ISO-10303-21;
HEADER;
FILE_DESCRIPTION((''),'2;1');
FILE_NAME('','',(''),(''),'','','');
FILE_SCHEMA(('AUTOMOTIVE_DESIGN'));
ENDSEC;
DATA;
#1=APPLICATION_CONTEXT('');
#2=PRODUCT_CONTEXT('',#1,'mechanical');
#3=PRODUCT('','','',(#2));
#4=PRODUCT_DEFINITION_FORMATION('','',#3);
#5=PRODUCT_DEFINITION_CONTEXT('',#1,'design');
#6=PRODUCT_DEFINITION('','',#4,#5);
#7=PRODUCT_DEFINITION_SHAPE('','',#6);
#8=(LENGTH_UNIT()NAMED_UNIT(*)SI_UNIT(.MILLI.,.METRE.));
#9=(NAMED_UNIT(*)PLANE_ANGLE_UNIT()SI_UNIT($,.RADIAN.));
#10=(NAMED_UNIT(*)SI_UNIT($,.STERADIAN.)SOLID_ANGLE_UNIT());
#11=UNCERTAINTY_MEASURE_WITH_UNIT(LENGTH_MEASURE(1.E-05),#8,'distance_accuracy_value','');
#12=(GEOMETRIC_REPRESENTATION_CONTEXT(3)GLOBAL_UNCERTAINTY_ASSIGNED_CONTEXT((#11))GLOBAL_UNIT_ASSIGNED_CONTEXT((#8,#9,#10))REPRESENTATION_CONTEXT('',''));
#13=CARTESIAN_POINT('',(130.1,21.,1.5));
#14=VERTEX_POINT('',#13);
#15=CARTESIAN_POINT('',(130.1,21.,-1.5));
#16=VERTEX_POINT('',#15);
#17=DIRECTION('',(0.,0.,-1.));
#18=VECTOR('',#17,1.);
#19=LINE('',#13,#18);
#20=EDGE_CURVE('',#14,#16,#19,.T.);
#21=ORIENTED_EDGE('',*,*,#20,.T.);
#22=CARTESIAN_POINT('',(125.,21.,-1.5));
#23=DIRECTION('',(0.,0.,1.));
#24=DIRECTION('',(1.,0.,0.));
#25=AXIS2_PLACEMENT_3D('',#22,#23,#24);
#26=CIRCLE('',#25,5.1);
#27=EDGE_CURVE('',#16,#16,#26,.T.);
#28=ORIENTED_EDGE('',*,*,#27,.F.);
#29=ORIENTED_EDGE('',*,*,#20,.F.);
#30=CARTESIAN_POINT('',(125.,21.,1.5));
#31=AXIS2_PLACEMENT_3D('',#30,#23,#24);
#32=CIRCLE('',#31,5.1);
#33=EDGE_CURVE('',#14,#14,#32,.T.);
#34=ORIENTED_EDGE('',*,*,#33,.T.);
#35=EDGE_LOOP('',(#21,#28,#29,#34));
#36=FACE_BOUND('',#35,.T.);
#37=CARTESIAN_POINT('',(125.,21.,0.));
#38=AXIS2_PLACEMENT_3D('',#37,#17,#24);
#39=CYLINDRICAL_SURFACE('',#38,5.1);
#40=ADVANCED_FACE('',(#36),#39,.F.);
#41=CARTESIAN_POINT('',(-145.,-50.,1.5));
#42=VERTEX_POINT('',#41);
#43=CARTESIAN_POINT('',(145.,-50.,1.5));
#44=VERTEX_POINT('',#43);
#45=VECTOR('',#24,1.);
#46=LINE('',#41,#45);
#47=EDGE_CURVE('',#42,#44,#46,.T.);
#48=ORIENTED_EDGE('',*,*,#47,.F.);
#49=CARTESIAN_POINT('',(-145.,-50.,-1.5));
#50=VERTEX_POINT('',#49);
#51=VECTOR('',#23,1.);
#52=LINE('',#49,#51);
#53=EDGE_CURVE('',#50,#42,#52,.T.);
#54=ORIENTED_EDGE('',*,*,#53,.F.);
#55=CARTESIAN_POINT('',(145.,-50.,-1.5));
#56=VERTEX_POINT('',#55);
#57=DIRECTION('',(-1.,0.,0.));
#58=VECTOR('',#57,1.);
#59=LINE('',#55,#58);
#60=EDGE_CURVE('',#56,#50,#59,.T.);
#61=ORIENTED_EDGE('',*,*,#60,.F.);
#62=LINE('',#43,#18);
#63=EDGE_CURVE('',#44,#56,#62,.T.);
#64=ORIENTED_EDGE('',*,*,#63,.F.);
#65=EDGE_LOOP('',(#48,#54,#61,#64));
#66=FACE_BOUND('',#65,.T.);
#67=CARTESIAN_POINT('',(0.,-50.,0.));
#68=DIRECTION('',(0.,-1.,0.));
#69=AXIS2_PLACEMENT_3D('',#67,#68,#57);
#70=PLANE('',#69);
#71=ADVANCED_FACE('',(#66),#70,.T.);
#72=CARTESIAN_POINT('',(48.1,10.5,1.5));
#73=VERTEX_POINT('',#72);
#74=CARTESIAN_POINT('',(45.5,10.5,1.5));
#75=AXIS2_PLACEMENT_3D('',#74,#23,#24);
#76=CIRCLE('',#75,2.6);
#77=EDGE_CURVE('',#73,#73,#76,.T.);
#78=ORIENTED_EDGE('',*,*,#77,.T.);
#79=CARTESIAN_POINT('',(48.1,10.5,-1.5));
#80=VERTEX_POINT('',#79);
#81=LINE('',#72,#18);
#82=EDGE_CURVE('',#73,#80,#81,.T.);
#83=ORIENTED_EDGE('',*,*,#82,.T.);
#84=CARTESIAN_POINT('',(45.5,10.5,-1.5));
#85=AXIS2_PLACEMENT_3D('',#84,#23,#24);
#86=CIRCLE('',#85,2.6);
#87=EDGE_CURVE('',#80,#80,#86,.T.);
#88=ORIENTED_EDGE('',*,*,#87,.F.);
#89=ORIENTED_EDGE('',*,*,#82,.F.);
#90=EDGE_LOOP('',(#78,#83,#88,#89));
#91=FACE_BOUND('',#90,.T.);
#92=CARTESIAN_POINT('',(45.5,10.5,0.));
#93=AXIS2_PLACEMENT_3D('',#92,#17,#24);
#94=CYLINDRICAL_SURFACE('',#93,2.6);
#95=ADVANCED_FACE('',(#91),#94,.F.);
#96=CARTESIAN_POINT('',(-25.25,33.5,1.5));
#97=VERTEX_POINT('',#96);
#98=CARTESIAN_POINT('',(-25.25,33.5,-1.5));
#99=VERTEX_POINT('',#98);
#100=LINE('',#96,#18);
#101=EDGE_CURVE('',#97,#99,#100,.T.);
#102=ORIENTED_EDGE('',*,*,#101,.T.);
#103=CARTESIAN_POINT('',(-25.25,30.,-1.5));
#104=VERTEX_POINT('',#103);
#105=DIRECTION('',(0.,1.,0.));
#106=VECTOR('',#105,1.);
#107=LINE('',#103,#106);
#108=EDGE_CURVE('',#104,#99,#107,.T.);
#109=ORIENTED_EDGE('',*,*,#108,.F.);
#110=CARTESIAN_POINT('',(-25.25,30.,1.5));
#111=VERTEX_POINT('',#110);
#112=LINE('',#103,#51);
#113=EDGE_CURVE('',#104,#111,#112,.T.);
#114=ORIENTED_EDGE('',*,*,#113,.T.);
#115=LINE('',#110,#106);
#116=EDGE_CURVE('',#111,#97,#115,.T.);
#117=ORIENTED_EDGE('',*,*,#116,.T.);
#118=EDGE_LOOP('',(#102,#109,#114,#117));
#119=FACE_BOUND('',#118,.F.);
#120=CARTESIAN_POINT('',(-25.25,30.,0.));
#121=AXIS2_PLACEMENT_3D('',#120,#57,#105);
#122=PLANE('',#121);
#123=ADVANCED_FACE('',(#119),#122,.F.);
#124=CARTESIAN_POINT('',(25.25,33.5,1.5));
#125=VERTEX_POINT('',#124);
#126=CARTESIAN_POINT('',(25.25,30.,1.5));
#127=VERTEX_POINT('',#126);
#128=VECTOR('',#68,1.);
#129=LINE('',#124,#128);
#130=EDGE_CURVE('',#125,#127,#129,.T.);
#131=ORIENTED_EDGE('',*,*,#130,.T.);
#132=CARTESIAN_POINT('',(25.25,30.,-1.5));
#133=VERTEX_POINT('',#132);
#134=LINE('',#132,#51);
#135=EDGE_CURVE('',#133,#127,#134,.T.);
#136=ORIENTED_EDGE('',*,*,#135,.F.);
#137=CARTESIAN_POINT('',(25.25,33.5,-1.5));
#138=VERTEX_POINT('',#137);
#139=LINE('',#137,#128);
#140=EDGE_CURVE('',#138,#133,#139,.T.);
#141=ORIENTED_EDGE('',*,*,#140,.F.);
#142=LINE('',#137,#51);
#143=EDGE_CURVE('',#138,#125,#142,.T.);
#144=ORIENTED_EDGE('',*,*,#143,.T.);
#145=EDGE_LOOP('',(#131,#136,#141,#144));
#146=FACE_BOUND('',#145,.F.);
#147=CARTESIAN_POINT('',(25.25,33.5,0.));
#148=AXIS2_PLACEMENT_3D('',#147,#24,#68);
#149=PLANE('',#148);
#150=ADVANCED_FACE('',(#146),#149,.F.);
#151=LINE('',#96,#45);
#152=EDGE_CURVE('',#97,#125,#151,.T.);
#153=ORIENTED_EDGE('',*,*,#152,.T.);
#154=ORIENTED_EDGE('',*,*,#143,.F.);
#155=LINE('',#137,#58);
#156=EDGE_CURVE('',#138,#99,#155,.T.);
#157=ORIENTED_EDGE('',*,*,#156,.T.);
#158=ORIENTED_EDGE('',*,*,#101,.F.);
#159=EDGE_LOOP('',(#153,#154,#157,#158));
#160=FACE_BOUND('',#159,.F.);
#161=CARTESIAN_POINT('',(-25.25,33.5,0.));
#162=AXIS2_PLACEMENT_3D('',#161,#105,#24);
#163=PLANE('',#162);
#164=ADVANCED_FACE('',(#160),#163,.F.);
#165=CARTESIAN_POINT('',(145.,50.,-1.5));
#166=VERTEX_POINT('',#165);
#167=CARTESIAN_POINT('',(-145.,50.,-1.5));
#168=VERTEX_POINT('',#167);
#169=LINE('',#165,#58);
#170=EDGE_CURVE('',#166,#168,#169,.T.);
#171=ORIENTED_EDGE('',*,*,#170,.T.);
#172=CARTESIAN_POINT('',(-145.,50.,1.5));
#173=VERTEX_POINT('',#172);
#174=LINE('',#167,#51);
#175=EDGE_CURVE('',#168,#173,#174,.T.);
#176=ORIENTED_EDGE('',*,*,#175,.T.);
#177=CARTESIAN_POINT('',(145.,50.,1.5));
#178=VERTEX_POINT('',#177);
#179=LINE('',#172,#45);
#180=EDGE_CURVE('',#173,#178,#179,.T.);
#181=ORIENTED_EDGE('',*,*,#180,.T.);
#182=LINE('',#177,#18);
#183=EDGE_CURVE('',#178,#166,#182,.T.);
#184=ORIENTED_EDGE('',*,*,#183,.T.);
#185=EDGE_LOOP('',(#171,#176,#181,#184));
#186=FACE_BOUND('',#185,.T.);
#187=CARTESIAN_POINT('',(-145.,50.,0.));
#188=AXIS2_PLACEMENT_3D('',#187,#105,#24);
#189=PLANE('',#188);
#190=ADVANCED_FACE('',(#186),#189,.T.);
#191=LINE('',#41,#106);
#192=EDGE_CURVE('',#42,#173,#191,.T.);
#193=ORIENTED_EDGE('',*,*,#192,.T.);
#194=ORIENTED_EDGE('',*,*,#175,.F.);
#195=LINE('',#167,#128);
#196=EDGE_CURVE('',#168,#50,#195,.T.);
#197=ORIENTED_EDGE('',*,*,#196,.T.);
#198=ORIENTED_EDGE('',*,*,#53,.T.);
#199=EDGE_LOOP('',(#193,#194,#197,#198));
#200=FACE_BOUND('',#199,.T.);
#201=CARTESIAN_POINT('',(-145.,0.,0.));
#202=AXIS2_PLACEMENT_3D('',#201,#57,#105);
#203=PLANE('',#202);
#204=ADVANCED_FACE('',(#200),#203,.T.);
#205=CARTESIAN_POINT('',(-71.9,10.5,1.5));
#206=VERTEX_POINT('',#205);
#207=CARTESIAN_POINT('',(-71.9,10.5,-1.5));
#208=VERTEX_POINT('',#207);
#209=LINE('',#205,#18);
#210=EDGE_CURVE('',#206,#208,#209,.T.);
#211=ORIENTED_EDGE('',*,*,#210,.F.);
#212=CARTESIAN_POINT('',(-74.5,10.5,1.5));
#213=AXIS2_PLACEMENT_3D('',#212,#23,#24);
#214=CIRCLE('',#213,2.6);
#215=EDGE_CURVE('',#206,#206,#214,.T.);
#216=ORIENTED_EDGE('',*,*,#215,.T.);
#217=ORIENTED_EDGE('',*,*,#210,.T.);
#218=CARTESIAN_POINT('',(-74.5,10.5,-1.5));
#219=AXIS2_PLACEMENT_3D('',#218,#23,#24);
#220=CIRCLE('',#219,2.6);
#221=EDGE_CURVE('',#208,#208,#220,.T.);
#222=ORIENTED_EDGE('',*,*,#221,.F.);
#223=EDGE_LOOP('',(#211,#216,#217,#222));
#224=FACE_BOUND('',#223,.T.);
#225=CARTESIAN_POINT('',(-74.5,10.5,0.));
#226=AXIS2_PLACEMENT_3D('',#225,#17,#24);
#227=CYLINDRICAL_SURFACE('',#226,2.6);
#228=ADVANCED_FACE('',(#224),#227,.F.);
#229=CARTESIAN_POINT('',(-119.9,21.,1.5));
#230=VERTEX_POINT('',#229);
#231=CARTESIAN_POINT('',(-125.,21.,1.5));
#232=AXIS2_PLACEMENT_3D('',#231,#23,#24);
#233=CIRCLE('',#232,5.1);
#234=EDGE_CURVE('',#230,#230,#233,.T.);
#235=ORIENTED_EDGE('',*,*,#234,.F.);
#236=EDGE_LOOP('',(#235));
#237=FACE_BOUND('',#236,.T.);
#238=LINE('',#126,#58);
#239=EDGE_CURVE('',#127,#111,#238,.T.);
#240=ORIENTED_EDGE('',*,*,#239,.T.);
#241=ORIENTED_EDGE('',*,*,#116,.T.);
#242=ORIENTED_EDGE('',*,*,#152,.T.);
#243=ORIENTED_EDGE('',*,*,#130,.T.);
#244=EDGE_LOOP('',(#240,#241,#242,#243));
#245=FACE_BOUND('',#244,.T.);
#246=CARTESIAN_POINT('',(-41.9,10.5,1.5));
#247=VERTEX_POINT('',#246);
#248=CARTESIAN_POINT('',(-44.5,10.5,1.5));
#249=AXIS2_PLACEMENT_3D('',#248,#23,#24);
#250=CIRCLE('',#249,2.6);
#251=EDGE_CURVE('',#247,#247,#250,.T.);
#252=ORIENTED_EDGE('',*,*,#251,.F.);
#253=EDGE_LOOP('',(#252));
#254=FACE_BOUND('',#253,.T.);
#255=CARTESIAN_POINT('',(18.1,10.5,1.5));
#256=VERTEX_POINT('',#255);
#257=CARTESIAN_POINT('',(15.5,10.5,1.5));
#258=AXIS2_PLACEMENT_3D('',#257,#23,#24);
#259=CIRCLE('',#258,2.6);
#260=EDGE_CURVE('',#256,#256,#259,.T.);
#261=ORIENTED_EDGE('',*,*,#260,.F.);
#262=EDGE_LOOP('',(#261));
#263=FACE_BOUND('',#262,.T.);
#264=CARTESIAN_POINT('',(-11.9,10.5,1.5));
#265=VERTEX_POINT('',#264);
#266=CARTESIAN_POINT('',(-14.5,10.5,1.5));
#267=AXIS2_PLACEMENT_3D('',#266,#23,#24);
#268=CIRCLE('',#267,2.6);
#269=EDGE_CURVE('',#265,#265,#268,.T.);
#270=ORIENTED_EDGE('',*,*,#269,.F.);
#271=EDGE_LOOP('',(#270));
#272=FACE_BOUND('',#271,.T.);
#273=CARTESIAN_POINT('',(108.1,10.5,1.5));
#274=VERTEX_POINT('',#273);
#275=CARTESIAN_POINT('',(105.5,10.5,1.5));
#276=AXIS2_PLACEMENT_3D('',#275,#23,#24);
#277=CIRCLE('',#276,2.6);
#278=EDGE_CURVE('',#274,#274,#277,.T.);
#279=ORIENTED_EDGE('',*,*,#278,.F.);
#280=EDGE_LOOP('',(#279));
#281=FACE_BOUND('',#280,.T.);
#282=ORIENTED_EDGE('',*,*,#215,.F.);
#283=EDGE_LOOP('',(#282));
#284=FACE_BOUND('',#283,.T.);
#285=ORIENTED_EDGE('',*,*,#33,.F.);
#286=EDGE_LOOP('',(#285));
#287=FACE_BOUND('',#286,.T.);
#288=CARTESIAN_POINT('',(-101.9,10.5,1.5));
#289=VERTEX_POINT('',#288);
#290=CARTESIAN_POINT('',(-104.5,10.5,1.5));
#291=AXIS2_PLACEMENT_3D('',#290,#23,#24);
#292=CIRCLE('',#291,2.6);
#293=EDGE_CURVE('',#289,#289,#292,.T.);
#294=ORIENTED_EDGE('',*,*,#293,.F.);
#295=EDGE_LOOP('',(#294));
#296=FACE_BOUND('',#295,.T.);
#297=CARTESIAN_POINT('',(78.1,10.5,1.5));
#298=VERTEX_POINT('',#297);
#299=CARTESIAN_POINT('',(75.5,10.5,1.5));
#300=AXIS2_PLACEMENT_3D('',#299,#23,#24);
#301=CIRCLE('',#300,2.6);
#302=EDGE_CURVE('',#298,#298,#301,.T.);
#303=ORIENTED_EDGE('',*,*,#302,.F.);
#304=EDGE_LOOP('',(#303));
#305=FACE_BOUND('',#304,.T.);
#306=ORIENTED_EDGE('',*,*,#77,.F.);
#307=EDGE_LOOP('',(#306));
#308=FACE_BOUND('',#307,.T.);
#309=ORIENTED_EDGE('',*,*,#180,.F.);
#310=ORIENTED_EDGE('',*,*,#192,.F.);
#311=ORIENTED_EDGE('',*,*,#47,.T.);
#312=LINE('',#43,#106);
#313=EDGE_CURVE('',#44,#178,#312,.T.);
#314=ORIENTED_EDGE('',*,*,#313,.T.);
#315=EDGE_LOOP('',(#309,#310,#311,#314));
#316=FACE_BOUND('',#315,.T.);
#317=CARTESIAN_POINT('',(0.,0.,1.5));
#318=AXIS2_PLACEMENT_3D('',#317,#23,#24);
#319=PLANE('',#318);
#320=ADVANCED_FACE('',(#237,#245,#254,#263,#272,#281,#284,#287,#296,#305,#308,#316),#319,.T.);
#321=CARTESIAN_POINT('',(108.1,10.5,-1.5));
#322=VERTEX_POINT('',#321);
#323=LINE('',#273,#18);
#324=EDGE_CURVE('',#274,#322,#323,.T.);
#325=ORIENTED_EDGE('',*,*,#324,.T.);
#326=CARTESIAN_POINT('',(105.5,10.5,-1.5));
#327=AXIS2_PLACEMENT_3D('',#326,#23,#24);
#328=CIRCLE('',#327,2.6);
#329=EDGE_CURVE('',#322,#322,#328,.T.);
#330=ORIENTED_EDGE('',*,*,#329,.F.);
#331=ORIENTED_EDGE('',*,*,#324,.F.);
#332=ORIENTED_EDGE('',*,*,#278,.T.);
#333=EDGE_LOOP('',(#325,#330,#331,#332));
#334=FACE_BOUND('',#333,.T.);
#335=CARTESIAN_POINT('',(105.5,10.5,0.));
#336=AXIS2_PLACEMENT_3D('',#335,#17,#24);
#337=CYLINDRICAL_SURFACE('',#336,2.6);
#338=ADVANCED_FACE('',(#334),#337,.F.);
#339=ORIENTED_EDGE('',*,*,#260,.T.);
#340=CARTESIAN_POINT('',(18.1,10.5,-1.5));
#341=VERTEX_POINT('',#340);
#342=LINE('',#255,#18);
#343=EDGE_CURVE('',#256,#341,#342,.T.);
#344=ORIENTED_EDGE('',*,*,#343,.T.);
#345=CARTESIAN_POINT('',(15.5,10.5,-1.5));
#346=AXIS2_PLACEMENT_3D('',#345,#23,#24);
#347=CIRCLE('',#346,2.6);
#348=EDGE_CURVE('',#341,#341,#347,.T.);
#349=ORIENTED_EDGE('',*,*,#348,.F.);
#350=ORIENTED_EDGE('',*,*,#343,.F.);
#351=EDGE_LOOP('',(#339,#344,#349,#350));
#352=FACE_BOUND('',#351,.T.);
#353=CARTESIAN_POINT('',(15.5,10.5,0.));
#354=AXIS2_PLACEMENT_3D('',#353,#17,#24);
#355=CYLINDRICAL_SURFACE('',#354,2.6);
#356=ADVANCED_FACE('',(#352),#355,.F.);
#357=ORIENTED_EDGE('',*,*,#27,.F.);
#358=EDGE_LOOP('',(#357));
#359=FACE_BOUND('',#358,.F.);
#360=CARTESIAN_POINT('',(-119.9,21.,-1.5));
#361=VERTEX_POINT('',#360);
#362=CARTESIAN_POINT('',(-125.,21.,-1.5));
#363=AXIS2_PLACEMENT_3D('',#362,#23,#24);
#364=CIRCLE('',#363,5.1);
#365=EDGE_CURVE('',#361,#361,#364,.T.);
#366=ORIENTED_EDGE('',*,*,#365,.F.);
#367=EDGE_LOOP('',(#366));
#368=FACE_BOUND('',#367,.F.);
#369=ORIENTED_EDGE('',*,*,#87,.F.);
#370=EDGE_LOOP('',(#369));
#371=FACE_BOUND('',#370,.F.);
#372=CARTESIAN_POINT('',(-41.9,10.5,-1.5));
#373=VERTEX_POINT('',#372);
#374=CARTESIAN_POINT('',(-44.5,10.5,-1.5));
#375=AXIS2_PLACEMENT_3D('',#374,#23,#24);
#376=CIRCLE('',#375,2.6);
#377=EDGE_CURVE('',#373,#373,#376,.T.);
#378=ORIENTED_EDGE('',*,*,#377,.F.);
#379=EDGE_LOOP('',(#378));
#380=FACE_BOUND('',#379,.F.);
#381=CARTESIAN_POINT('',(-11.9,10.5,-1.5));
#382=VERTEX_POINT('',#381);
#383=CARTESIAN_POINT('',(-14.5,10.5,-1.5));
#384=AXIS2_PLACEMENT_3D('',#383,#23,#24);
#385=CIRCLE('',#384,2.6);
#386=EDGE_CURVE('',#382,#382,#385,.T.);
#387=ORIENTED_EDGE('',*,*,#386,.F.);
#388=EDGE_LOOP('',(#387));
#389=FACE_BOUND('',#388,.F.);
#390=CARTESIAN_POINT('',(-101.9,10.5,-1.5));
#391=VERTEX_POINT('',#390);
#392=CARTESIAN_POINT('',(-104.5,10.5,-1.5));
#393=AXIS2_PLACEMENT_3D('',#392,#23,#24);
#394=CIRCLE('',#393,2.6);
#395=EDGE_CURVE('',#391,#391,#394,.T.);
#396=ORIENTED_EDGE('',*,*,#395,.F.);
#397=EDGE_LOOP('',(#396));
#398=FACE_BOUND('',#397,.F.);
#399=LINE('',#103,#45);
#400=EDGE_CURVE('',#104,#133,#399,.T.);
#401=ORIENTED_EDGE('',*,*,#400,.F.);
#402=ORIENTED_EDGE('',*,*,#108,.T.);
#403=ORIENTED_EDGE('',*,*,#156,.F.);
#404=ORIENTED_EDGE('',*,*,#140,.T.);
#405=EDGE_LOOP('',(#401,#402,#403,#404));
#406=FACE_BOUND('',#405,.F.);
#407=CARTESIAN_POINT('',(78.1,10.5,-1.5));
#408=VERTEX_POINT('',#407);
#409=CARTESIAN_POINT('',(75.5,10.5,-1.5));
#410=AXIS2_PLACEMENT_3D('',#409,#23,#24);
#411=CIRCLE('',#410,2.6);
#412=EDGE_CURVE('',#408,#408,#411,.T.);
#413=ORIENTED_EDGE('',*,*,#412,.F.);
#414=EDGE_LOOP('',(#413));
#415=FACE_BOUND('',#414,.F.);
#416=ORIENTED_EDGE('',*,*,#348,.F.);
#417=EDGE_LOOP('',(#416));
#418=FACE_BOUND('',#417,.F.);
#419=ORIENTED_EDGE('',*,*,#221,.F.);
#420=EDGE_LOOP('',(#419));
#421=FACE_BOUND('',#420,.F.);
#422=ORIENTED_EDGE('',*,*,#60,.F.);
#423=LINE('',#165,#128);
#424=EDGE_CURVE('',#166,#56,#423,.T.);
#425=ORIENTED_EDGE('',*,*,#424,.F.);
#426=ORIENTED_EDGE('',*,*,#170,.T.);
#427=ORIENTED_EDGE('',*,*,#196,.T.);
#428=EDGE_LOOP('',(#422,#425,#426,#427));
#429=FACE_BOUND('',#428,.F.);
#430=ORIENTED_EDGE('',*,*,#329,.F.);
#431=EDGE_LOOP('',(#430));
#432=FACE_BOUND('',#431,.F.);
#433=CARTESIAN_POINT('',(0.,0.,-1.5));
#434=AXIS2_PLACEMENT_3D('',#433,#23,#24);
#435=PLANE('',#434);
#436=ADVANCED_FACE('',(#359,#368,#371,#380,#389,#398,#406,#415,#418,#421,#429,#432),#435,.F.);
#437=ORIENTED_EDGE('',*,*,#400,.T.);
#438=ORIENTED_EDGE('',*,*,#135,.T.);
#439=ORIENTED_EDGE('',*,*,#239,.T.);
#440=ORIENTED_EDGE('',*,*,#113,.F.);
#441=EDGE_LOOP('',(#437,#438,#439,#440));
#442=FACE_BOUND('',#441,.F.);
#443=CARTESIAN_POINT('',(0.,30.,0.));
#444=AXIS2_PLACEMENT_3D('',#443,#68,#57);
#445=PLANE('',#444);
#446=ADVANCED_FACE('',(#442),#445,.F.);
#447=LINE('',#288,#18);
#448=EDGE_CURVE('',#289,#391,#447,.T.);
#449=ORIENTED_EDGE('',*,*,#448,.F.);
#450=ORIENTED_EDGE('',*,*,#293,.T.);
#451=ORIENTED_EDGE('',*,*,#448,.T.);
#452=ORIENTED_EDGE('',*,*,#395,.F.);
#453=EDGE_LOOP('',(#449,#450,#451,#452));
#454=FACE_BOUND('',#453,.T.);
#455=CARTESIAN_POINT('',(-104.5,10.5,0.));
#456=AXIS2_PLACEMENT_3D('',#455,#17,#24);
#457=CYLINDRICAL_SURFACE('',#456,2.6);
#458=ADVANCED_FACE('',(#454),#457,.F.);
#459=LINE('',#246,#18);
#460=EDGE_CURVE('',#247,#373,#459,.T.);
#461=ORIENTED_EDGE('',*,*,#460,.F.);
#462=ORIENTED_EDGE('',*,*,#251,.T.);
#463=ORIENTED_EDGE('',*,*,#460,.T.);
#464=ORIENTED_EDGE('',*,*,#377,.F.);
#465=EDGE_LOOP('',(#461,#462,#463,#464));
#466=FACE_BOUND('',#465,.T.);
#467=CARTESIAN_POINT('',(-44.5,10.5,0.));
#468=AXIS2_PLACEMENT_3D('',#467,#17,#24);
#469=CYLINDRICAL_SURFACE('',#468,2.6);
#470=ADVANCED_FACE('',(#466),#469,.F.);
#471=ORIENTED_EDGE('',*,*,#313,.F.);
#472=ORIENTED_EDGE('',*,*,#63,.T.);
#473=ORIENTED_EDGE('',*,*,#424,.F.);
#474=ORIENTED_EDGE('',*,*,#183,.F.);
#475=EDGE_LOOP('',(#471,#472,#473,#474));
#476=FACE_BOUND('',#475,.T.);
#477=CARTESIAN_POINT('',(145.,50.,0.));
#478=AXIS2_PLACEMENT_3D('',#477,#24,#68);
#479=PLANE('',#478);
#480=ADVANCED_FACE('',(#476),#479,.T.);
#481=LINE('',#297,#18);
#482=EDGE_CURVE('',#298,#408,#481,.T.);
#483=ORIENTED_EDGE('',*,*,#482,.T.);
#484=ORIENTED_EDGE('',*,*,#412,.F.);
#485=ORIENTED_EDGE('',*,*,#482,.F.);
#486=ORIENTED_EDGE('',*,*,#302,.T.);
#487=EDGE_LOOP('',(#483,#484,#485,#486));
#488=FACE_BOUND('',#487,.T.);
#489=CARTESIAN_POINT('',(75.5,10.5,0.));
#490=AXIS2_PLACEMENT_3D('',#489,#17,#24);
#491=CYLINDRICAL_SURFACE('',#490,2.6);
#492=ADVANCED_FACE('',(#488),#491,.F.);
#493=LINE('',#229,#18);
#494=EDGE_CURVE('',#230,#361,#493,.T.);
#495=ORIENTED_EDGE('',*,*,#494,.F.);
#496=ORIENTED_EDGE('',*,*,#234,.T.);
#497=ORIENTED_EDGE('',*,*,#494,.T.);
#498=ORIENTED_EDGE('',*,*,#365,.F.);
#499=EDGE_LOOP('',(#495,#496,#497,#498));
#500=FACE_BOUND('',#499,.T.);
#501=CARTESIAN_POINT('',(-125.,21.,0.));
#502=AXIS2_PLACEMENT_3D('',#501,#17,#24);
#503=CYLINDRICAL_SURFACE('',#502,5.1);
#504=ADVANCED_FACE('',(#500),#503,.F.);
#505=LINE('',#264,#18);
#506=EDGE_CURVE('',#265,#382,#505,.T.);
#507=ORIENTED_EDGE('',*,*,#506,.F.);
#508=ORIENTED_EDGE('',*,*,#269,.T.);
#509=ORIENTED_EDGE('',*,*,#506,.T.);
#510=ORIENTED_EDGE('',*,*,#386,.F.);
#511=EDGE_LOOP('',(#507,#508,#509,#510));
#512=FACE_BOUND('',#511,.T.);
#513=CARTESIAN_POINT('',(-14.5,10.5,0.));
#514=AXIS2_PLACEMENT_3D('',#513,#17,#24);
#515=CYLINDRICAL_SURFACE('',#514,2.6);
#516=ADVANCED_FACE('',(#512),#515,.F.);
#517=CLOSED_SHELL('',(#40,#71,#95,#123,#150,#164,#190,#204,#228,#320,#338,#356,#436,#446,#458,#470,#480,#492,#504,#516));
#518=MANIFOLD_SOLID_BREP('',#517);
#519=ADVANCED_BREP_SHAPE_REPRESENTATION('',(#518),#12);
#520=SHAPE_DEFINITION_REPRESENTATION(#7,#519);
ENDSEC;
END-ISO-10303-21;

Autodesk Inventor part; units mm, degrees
ref_plane "YZ Plane" through (0, 0, 0) normal (1, 0, 0) x (0, 1, 0)
ref_plane "XZ Plane" through (0, 0, 0) normal (0, 1, 0) x (-1, 0, 0)
ref_plane "XY Plane" through (0, 0, 0) normal (0, 0, 1) x (1, 0, 0)
sketch "スケッチ1" plane through (0, 0, 0) normal (0, 0, 1) x (1, 0, 0)
  line L0 (-145, 50) -> (145, 50)
  line L1 (145, 50) -> (145, -50)
  line L2 (145, -50) -> (-145, -50)
  line L3 (-145, -50) -> (-145, 50)
  line L4 (0, -70) -> (0, 70) projected
  line L5 (-203, 0) -> (203, 0) projected
  circle A0 centre (-104.5, 10.5) radius 2.6
  circle A1 centre (-125, 21) radius 5.1
  circle A2 centre (-74.5, 10.5) radius 2.6
  circle A3 centre (-44.5, 10.5) radius 2.6
  circle A4 centre (-14.5, 10.5) radius 2.6
  circle A5 centre (15.5, 10.5) radius 2.6
  circle A6 centre (45.5, 10.5) radius 2.6
  circle A7 centre (75.5, 10.5) radius 2.6
  circle A8 centre (105.5, 10.5) radius 2.6
  line L6 (-25.25, 33.5) -> (25.25, 33.5)
  line L7 (25.25, 33.5) -> (25.25, 30)
  line L8 (25.25, 30) -> (-25.25, 30)
  line L9 (-25.25, 30) -> (-25.25, 33.5)
  circle A9 centre (125, 21) radius 5.1
  point P0 (0, 0)
  dimension "d0" = 100
  dimension "d1" = 290
  dimension "d4" = 5.2
  dimension "d5" = 60.5
  dimension "d6" = 40.5
  dimension "d21" = 10.2
  dimension "d22" = 71
  dimension "d23" = 20
  dimension "d26" = 30
  dimension "d31" = 16.5
  dimension "d32" = 50.5
  dimension "d33" = 3.5
extrude "押し出し1" add sketch "スケッチ1" along normal mid plane 3 contours L0 L4 L6 L9 L8 L5 L3 | L0 L1 L5 L4 L8 L7 L6 | L5 L4 L2 L3 | L5 L1 L2 L4
properties part number "wall_ver.1"
